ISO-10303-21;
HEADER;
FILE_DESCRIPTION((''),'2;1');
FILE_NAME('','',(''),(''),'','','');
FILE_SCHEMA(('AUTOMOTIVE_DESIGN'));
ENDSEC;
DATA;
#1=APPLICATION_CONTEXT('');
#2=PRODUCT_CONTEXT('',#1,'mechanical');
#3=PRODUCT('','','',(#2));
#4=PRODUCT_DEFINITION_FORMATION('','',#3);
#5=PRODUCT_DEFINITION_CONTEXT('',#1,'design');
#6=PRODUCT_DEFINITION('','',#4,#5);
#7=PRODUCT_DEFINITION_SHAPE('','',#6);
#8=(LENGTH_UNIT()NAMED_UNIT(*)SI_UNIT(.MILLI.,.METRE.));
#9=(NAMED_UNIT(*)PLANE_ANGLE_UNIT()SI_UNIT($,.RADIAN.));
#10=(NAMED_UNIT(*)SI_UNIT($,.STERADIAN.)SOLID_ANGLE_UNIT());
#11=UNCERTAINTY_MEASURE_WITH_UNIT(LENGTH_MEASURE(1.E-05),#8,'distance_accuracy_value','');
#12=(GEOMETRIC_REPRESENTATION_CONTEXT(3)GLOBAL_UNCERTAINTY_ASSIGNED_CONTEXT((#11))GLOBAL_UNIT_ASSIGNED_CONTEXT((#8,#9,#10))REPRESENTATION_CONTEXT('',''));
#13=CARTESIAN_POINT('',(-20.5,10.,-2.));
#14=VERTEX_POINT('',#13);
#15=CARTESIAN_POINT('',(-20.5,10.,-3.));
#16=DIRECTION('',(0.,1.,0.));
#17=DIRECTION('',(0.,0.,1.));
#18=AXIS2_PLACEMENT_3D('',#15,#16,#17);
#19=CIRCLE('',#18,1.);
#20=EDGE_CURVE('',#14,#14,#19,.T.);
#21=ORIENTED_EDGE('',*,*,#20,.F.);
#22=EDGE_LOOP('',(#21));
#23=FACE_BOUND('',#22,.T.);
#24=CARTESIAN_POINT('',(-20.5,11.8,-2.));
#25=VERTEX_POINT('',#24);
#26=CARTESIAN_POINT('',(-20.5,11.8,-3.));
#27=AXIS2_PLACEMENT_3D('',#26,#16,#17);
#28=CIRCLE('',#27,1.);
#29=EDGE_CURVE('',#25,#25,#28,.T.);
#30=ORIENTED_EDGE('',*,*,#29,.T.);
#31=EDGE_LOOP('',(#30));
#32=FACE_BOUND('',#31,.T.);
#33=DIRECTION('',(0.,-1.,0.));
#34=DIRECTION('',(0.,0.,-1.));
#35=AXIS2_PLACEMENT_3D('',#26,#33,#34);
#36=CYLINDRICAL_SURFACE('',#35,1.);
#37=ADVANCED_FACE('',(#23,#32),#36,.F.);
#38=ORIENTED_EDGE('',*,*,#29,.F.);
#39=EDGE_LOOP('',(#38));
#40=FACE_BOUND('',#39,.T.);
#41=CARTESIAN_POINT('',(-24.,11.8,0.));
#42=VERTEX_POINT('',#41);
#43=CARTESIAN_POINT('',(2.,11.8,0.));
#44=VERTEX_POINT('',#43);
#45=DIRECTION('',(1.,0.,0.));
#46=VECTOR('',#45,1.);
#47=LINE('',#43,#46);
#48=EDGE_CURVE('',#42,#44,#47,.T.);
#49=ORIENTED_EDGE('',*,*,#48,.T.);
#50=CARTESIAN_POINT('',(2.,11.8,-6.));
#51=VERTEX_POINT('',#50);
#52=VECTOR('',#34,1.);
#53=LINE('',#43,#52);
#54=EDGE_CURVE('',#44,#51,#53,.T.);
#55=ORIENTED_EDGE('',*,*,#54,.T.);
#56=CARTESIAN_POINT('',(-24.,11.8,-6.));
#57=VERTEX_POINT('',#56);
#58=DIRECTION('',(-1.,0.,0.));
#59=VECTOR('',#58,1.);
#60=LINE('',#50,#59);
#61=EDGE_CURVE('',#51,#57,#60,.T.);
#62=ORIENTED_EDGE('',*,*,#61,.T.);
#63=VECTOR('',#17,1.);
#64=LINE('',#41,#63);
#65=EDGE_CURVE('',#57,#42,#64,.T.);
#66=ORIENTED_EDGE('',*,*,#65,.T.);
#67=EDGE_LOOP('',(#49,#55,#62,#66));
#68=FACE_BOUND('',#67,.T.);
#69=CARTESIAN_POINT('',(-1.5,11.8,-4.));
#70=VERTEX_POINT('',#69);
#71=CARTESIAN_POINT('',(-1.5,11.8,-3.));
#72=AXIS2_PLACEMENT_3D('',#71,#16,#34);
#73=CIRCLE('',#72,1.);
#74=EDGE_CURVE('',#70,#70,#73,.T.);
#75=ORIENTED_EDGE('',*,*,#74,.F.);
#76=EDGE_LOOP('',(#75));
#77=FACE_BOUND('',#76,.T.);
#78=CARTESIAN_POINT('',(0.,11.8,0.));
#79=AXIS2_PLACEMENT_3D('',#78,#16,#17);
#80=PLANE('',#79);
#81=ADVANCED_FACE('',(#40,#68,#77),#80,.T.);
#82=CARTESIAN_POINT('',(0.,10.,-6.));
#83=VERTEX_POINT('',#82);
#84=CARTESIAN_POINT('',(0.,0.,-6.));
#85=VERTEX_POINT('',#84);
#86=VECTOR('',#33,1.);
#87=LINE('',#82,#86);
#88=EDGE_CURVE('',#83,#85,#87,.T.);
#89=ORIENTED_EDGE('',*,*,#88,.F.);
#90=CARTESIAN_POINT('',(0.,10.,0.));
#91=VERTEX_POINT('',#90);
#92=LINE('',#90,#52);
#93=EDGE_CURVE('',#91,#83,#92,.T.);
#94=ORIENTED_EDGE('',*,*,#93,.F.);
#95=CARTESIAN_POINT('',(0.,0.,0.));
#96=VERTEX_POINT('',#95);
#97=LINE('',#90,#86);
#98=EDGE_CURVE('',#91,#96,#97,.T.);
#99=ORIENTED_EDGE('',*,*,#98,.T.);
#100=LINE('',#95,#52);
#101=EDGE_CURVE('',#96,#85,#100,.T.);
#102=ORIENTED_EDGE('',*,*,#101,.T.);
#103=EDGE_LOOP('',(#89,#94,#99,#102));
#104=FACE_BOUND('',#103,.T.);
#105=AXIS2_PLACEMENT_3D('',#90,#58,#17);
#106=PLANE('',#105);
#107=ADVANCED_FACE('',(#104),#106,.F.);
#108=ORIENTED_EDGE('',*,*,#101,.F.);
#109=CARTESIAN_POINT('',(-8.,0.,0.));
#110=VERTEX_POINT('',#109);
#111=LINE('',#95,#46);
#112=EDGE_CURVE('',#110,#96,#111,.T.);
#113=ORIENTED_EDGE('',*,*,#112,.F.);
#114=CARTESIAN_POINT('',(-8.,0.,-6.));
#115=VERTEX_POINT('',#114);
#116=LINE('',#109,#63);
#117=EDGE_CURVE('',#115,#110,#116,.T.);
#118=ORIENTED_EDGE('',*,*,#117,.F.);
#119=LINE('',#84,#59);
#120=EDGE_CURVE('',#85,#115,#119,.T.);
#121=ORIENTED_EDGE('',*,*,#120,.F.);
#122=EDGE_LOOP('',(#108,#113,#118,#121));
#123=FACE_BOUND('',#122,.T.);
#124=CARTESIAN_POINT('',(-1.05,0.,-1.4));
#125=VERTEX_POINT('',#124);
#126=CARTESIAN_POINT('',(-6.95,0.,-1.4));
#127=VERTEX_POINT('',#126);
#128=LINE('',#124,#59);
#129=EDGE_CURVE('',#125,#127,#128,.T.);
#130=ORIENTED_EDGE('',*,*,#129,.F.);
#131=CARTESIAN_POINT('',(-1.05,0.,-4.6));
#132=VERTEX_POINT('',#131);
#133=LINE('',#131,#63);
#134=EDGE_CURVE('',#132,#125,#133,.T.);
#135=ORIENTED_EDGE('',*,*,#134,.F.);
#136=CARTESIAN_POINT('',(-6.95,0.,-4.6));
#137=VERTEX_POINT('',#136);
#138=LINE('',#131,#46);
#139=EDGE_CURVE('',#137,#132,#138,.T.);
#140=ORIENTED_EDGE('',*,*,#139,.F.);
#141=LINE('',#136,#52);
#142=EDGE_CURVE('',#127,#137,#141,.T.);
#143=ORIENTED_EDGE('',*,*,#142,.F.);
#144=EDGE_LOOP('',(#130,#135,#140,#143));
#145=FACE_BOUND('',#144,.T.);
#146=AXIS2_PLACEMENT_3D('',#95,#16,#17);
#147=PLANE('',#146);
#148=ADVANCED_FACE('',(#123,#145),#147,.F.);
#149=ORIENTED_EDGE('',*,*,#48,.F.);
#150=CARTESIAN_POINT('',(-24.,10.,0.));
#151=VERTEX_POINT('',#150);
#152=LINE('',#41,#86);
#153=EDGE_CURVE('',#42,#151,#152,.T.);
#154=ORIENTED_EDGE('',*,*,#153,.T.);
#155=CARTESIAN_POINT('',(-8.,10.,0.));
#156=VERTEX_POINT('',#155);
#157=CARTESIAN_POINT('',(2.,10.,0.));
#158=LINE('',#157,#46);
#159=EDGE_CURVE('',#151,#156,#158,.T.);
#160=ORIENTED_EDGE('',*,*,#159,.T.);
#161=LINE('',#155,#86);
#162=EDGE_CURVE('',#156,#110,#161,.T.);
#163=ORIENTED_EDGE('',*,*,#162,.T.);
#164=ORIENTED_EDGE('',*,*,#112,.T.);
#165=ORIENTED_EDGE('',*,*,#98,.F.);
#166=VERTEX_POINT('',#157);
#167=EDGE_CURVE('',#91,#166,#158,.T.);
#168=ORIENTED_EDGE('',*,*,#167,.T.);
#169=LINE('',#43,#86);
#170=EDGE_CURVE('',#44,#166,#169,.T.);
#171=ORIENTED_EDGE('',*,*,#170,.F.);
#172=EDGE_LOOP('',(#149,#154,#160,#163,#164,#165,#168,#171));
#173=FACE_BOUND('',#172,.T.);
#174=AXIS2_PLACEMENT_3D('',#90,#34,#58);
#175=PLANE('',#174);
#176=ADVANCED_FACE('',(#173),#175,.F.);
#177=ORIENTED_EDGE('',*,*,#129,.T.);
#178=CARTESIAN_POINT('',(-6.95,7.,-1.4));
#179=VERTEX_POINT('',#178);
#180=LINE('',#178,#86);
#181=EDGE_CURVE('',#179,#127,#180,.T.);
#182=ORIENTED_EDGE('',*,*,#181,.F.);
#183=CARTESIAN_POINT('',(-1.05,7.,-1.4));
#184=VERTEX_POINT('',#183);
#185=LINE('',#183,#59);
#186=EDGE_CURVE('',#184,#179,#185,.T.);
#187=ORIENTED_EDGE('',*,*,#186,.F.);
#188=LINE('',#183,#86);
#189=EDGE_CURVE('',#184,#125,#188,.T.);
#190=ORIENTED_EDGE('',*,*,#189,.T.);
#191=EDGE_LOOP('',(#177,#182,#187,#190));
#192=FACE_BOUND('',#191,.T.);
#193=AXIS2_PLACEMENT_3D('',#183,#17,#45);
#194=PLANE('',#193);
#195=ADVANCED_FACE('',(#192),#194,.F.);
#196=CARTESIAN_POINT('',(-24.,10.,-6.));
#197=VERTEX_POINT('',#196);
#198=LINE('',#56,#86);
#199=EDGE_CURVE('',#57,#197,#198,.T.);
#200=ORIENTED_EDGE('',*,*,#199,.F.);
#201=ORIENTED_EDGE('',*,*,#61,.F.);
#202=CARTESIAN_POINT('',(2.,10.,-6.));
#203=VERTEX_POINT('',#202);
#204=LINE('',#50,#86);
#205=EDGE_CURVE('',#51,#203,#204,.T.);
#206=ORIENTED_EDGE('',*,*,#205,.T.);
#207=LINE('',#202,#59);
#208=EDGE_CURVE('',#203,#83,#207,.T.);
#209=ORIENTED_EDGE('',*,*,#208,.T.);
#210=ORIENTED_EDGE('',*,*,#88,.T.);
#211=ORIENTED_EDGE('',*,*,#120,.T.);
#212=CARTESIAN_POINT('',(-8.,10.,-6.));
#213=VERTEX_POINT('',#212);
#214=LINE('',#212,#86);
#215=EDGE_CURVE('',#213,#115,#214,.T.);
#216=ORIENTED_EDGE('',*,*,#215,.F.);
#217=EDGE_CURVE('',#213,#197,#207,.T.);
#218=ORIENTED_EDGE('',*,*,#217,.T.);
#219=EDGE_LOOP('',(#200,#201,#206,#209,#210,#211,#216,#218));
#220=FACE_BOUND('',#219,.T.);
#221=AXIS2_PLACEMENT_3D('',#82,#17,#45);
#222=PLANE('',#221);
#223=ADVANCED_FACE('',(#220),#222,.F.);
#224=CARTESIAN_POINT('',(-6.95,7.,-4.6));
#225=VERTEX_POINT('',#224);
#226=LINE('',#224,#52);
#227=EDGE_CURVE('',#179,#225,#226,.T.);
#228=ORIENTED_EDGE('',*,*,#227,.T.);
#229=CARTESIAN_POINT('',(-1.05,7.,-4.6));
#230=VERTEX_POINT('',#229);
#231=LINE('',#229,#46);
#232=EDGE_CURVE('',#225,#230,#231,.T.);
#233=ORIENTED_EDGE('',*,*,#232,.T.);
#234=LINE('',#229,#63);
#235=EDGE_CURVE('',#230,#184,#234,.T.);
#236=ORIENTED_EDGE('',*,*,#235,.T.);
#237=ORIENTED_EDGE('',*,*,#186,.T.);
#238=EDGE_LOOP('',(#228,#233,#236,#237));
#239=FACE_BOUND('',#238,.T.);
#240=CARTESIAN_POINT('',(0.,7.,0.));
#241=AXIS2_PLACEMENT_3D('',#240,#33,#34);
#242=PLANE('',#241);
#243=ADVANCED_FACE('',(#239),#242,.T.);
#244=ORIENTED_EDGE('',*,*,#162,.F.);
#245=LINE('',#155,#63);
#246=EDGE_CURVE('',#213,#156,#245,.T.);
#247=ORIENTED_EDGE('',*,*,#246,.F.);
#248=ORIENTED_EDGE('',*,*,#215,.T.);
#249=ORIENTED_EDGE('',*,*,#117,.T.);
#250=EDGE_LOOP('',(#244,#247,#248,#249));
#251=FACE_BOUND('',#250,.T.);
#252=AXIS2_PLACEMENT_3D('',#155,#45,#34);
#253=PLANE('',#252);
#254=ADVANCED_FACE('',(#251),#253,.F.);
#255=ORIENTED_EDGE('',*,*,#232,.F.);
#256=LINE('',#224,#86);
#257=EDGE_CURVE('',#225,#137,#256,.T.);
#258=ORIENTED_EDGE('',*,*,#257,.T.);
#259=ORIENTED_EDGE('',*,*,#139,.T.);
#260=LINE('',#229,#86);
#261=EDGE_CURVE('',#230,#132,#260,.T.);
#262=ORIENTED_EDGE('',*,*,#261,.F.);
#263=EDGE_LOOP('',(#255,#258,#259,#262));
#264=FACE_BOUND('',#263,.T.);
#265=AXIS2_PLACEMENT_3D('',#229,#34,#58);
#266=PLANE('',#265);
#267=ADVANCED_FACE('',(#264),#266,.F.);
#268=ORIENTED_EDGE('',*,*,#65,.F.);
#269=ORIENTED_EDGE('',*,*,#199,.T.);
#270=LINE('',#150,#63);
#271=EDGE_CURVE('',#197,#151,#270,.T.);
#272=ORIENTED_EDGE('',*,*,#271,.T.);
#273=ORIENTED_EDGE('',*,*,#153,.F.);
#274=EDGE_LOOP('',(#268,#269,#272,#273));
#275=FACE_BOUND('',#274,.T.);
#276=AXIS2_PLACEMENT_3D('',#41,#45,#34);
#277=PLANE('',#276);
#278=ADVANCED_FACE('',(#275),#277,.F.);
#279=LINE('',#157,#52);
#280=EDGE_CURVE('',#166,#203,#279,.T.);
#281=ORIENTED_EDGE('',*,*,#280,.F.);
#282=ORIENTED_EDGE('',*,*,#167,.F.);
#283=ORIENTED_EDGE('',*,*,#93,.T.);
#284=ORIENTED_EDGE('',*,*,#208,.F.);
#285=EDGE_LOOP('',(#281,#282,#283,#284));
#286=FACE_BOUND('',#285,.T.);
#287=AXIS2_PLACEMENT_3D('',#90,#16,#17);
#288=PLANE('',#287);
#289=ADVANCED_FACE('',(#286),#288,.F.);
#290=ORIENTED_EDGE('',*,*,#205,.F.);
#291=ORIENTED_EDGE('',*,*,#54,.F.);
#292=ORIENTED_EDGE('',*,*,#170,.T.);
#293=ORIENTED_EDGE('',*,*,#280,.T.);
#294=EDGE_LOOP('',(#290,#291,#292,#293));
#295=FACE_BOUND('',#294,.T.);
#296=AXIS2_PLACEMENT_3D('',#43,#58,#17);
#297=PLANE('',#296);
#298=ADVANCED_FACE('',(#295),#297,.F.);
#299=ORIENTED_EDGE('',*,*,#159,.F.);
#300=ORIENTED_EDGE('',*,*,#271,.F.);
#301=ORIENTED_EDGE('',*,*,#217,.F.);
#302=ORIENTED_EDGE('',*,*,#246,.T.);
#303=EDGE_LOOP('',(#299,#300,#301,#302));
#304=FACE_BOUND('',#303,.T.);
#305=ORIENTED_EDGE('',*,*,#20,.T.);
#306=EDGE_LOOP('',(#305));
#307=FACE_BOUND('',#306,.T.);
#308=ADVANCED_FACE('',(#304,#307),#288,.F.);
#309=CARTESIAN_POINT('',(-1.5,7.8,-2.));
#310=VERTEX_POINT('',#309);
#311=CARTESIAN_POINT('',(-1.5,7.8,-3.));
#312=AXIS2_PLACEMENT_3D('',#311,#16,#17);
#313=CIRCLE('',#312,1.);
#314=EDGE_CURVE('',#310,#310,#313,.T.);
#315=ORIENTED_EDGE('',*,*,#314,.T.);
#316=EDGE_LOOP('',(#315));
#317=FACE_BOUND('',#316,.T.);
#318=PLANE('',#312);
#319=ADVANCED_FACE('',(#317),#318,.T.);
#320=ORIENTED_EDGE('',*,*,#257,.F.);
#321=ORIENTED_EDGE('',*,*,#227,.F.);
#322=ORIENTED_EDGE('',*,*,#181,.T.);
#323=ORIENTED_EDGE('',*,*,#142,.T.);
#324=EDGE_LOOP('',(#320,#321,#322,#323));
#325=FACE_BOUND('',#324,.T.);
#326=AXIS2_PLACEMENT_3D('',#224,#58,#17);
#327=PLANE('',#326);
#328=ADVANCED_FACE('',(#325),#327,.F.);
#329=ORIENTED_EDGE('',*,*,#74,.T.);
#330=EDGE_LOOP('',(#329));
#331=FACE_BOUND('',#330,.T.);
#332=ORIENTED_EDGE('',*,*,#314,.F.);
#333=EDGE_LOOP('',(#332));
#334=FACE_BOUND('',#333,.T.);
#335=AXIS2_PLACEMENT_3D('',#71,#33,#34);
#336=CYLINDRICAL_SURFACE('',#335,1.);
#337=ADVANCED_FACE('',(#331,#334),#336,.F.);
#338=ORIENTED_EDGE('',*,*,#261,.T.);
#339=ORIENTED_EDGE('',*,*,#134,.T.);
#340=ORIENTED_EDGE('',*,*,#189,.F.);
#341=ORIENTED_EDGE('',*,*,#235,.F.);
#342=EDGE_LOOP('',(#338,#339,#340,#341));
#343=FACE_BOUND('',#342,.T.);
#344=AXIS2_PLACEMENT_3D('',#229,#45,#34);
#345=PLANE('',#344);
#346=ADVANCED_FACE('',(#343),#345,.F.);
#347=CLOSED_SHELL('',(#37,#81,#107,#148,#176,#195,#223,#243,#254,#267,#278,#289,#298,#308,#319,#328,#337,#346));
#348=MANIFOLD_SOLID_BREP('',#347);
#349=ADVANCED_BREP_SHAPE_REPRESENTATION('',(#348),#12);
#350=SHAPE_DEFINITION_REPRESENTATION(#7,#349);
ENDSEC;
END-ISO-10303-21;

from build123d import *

# Parameters (mm, degrees)
SKETCH1_W           = 8
SKETCH1_H           = 6
BOSS_EXTRUDE1_DEPTH = 10
SKETCH3_W           = 26
SKETCH3_H           = 6
SKETCH3_R           = 1
BOSS_EXTRUDE2_DEPTH = 1.8
SKETCH4_W           = 5.9
SKETCH4_H           = 3.2
CUT_EXTRUDE1_DEPTH  = 7
CUT_EXTRUDE2_START  = -4
SKETCH6_R           = 1
CUT_EXTRUDE2_DEPTH  = 4


with BuildPart() as part:
    # Sketch1 → Boss-Extrude1 (new body)
    with BuildSketch(Plane(origin=(0, 0, 0), x_dir=(1, 0, 0), z_dir=(0, 1, 0))):
        with Locations((-4, 3)):
            Rectangle(SKETCH1_W, SKETCH1_H)
    extrude(amount=BOSS_EXTRUDE1_DEPTH)

    # Sketch3 → Boss-Extrude2 (add)
    with BuildSketch(Plane(origin=(0, 10, 0), x_dir=(1, 0, 0), z_dir=(0, 1, 0))):
        with Locations((-11, 3)):
            Rectangle(SKETCH3_W, SKETCH3_H)
        with Locations(Location((-20.5, 3, 0), (0, 0, 270))):
            Circle(SKETCH3_R, mode=Mode.SUBTRACT)
        with Locations(Location((-1.5, 3, 0), (0, 0, 90))):
            Circle(SKETCH3_R, mode=Mode.SUBTRACT)
    extrude(amount=BOSS_EXTRUDE2_DEPTH)

    # Sketch4 → Cut-Extrude1 (cut)
    with BuildSketch(Plane.XZ):
        with Locations((-4, -3)):
            Rectangle(SKETCH4_W, SKETCH4_H)
    extrude(amount=-CUT_EXTRUDE1_DEPTH, mode=Mode.SUBTRACT)

    # Sketch6 → Cut-Extrude2 (cut)
    with BuildSketch(Plane(origin=(0, 11.8, 0), x_dir=(1, 0, 0), z_dir=(0, 1, 0)).offset(CUT_EXTRUDE2_START)):
        with Locations(Location((-1.5, 3, 0), (0, 0, 90))):
            Circle(SKETCH6_R)
    extrude(amount=CUT_EXTRUDE2_DEPTH, mode=Mode.SUBTRACT)


solid = part.part
